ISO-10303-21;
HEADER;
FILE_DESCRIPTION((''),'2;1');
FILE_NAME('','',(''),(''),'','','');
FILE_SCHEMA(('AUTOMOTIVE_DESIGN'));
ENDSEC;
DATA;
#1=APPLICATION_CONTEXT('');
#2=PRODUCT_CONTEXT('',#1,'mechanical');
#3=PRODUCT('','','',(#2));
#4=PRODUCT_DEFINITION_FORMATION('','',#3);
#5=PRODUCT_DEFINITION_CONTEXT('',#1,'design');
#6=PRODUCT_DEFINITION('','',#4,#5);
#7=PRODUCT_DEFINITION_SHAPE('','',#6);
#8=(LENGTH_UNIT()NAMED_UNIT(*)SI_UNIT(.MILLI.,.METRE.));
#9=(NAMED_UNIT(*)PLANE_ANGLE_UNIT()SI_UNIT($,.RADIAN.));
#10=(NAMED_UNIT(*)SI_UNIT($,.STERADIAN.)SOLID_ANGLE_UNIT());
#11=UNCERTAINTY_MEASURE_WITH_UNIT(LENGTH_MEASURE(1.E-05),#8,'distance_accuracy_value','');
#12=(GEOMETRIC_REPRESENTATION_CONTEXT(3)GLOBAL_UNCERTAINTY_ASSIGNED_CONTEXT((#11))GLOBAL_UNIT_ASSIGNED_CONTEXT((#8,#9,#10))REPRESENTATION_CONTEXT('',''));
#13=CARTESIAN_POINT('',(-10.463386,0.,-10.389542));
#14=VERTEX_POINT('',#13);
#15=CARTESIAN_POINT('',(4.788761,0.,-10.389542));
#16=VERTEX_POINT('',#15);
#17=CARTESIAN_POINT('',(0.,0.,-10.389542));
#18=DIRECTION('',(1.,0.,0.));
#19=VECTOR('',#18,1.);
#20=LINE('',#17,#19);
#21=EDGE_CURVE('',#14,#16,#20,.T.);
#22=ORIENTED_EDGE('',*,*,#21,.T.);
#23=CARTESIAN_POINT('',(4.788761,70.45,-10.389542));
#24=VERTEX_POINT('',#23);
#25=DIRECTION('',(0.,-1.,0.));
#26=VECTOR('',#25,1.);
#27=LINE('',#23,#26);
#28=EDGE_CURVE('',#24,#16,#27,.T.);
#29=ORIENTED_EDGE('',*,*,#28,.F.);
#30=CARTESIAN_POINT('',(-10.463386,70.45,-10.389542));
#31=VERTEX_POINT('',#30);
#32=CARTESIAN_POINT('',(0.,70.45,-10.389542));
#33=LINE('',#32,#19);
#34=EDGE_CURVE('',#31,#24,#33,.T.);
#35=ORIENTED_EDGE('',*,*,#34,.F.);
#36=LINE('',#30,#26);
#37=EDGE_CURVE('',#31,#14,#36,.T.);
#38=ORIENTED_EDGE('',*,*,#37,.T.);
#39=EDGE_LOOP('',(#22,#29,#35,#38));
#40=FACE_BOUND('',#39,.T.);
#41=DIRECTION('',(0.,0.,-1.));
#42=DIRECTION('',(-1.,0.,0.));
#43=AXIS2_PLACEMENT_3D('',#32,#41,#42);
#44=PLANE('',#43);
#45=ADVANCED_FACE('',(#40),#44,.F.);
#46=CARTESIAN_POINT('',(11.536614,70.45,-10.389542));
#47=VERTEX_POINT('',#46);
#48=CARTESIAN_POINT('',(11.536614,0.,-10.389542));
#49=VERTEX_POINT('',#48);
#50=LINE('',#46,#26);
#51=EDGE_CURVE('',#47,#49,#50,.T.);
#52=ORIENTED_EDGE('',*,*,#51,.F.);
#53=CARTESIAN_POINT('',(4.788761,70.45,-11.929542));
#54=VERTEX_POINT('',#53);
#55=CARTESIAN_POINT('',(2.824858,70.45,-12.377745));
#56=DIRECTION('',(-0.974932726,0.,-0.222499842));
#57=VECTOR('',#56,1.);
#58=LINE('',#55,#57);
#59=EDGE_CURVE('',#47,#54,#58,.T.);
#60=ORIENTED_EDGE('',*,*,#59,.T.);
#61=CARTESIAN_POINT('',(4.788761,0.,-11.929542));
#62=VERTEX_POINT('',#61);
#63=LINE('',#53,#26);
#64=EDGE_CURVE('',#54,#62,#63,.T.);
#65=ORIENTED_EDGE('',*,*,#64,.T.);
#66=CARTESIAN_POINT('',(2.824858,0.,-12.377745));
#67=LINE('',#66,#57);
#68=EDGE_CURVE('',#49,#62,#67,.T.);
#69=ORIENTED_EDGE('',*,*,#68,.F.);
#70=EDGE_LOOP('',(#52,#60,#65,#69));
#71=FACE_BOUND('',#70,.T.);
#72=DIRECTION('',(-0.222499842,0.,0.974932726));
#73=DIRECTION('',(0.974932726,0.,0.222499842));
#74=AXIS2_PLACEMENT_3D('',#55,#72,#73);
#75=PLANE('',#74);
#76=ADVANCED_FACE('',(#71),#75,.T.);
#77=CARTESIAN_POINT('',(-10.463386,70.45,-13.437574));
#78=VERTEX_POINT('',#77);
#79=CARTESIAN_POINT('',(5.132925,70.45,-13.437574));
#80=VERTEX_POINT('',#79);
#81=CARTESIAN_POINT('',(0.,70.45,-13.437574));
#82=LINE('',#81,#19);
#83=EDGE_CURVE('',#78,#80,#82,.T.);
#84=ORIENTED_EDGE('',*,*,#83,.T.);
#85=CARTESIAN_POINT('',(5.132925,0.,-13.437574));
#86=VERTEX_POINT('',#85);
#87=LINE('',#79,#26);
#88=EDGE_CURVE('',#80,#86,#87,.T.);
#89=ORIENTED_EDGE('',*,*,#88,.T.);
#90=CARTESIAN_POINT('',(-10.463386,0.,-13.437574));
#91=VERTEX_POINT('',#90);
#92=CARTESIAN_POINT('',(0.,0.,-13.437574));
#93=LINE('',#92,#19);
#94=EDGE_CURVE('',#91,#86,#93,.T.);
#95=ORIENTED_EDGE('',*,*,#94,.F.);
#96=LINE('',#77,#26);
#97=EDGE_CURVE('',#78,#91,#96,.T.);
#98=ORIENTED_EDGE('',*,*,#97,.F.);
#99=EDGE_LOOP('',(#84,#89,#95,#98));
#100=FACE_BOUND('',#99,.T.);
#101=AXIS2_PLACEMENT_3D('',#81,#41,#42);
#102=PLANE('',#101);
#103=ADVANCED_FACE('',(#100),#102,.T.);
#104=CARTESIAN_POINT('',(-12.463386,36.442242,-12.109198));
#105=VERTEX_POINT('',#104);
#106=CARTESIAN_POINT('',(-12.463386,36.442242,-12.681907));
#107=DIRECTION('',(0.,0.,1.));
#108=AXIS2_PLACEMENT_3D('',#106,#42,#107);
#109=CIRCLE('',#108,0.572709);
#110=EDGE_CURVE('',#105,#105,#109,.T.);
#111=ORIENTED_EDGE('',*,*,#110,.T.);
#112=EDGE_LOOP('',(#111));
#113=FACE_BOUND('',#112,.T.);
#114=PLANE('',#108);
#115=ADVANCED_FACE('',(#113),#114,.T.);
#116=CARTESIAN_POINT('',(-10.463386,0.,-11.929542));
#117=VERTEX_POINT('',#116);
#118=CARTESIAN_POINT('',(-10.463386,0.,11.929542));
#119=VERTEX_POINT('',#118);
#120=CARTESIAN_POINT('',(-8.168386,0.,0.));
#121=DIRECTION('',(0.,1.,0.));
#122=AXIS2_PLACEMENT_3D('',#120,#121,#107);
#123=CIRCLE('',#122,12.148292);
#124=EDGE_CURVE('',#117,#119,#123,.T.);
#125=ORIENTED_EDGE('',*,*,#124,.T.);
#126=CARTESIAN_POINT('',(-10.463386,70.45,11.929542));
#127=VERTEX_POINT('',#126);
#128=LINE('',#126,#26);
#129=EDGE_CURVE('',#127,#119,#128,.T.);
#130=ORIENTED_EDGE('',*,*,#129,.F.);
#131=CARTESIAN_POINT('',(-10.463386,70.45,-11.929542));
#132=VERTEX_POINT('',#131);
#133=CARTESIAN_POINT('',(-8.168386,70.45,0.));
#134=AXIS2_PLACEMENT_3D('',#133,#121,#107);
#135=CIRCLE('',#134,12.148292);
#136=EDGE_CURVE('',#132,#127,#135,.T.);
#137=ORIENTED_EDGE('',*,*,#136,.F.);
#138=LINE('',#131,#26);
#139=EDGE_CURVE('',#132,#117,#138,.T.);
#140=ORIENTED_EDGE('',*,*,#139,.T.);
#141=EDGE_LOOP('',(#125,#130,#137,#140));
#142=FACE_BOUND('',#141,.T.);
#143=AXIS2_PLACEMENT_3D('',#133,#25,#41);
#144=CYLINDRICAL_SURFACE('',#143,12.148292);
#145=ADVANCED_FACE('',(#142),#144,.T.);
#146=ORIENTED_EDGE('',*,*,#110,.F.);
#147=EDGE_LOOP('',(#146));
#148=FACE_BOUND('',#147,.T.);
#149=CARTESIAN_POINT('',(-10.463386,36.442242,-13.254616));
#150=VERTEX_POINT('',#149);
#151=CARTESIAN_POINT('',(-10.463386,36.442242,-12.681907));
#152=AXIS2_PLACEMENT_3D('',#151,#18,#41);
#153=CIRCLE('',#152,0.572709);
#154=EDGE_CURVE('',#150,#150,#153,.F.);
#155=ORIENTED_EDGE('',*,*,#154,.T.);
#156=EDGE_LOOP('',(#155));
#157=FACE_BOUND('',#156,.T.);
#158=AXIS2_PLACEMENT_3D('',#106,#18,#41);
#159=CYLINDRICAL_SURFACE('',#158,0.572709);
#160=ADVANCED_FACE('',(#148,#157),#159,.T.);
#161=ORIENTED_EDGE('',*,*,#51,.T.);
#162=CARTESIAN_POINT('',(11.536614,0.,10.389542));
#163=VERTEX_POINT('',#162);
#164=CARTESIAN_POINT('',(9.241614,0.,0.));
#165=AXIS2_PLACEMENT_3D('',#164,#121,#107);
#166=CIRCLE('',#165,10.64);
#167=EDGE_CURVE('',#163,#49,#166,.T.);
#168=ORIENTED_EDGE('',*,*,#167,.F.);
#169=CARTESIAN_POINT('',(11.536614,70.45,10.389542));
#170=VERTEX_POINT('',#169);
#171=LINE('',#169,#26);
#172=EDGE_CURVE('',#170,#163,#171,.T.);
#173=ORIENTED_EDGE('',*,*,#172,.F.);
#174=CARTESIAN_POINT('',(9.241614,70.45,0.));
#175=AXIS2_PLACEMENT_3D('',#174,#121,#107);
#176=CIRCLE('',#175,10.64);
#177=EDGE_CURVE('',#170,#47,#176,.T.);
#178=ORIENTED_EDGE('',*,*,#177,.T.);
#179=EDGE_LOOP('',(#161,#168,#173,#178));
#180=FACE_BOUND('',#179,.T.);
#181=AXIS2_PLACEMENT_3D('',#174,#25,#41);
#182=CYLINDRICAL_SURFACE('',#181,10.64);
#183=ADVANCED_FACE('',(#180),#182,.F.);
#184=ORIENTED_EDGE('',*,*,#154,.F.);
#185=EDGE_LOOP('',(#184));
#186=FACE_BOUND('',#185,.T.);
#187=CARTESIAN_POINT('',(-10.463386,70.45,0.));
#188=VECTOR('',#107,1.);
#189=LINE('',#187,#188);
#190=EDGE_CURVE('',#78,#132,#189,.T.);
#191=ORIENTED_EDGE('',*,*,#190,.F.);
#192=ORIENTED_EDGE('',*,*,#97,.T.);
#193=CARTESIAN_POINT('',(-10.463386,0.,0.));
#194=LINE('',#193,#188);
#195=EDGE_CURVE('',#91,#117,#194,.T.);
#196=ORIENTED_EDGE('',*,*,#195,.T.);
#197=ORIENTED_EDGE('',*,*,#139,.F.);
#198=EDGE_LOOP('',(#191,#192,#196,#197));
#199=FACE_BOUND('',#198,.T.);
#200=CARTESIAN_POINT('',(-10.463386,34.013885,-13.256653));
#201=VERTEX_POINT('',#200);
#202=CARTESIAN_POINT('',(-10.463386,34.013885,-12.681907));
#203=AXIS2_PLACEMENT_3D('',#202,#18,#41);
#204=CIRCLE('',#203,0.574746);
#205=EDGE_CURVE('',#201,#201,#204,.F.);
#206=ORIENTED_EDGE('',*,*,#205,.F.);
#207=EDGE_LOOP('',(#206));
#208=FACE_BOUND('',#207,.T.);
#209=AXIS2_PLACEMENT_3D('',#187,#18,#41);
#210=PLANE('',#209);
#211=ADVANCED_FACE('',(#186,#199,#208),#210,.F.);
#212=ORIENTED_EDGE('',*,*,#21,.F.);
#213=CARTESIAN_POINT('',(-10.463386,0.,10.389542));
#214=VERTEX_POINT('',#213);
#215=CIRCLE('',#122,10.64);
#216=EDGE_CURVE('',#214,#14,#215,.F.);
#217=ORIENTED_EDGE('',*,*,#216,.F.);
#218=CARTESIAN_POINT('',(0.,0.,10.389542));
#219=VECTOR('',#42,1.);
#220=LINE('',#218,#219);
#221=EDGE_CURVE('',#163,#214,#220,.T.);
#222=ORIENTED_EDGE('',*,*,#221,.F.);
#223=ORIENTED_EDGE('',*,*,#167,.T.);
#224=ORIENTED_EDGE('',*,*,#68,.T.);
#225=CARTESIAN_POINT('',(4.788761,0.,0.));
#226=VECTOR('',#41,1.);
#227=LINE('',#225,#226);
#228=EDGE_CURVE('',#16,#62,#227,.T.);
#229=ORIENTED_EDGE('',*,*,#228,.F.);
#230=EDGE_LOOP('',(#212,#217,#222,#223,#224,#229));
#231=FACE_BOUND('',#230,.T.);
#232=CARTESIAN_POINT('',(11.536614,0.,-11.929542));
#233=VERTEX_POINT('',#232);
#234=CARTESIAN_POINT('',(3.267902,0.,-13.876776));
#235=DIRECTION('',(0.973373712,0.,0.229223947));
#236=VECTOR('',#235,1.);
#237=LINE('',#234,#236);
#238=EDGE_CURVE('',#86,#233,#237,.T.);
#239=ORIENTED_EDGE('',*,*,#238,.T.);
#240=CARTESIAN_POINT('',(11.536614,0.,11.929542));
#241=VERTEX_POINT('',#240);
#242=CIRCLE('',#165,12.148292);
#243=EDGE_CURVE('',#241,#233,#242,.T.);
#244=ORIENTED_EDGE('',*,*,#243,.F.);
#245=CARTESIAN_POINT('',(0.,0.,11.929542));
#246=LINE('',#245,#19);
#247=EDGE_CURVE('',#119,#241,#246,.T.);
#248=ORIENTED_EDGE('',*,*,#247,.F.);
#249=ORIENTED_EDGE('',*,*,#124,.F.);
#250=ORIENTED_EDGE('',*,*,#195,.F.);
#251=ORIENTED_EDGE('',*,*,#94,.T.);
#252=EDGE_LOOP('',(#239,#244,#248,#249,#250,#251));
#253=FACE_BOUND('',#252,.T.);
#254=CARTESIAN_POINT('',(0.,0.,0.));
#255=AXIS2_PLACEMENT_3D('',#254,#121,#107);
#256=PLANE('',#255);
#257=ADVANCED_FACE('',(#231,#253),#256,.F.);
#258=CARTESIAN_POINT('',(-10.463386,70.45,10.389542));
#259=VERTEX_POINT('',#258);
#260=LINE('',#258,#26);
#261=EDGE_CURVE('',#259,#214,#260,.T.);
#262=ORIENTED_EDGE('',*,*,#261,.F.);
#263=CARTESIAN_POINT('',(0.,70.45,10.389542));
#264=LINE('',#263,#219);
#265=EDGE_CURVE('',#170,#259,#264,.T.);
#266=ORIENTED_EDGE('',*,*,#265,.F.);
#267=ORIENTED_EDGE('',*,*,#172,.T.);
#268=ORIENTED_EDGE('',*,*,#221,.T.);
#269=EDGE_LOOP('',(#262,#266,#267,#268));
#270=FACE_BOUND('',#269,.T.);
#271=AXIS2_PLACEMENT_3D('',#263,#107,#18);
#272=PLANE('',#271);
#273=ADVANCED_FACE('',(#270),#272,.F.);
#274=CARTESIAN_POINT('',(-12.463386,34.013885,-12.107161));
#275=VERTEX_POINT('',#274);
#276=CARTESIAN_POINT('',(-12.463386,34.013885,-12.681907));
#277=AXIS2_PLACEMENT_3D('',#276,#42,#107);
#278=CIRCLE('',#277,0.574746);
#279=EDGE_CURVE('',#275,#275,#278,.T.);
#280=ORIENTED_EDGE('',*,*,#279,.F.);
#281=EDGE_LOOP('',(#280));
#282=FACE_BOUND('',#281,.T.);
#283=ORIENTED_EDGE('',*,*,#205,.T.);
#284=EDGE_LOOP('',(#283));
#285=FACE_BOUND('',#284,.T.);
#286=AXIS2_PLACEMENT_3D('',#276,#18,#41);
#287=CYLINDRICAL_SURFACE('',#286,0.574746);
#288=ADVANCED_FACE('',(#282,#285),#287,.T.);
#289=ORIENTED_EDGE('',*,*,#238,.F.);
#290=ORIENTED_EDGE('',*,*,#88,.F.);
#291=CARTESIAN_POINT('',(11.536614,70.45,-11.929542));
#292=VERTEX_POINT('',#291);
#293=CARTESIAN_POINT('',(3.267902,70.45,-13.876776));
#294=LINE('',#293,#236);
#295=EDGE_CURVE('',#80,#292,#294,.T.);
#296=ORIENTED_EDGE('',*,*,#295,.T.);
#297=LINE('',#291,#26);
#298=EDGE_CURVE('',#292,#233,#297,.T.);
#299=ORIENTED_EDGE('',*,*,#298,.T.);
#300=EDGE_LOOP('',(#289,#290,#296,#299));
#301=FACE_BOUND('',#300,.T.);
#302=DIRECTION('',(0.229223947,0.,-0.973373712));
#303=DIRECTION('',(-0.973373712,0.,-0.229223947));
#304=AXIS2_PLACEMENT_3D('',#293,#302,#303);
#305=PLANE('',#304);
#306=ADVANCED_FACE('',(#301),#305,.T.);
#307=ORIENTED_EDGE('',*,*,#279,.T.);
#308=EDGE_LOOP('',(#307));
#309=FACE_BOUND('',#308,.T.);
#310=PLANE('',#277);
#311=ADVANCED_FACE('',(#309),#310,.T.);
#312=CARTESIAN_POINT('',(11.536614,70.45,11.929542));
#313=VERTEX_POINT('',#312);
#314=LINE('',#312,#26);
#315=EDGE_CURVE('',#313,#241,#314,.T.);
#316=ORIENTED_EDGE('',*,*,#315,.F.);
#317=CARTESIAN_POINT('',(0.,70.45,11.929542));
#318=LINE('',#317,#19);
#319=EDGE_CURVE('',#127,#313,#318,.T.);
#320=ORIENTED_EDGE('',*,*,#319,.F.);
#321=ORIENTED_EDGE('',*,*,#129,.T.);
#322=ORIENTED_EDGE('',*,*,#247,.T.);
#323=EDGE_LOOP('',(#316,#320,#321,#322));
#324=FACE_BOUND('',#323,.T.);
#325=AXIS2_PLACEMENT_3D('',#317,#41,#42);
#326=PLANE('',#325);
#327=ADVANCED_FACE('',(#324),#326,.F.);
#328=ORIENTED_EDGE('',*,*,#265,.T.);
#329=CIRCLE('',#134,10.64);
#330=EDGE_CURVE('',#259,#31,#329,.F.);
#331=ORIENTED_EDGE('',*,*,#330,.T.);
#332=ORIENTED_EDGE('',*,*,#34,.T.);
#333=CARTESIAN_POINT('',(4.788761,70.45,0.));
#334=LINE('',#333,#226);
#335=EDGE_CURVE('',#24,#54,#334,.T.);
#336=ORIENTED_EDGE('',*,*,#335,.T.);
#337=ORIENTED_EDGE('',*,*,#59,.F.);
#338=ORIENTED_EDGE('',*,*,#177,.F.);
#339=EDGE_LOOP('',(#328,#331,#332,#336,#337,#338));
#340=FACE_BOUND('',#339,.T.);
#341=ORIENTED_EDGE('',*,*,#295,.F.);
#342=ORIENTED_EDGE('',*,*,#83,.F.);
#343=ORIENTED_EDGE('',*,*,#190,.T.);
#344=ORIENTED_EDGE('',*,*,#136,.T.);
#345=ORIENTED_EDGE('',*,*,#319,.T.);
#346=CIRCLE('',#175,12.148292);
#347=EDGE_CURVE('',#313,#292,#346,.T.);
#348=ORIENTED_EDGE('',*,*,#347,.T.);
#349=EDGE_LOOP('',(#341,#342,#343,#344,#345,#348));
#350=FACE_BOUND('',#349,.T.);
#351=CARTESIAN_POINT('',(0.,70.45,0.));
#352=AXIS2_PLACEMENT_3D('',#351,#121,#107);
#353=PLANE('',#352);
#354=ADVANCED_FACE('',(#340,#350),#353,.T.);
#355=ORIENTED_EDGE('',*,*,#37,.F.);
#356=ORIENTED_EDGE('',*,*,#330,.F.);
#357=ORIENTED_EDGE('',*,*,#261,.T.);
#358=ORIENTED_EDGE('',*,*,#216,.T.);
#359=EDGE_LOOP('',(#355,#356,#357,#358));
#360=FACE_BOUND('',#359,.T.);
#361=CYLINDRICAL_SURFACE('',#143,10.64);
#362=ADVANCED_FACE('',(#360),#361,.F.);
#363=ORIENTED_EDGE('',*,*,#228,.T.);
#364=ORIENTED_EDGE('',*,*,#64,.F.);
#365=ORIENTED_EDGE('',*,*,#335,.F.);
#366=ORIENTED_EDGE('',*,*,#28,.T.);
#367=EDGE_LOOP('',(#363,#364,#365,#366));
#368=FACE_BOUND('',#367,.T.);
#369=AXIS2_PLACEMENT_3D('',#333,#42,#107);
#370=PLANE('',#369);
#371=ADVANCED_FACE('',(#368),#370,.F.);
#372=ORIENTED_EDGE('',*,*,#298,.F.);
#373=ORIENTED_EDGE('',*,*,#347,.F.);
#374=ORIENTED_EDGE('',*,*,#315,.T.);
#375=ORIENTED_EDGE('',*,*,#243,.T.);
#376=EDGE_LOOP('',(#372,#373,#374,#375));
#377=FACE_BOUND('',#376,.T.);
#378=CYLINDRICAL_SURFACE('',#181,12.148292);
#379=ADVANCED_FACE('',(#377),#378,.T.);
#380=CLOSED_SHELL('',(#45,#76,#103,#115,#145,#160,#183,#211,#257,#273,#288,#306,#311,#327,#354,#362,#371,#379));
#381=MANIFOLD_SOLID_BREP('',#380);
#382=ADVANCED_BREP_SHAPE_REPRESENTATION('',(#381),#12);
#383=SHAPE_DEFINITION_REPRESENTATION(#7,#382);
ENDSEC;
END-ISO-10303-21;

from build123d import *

# Parameters (mm, degrees)
BOSS_EXTRUDE1_DEPTH = 70.45
SKETCH2_R           = 0.574746223
SKETCH2_R_2         = 0.572709313
BOSS_EXTRUDE2_DEPTH = 2


with BuildPart() as part:
    # Sketch1 → Boss-Extrude1 (new body)
    with BuildSketch(Plane(origin=(0, 0, 0), x_dir=(1, 0, 0), z_dir=(0, 1, 0))):
        with BuildLine():
            Line((-10.463385515, 13.437573917), (-10.463385515, 11.929541616))
            ThreePointArc((-10.463385515, 11.929541616), (-20.316677089, 0), (-10.463385515, -11.929541616))
            Line((-10.463385515, -11.929541616), (11.536614485, -11.929541616))
            ThreePointArc((11.536614485, -11.929541616), (21.38990606, 0), (11.536614485, 11.929541616))
            Line((11.536614485, 11.929541616), (5.132924913, 13.437573917))
            Line((5.132924913, 13.437573917), (-10.463385515, 13.437573917))
        make_face()
        with BuildLine():
            ThreePointArc((-10.463385515, -10.389541616), (-18.808385515, 0), (-10.463385515, 10.389541616))
            Line((-10.463385515, 10.389541616), (4.788760706, 10.389541616))
            Line((4.788760706, 10.389541616), (4.788760706, 11.929541616))
            Line((4.788760706, 11.929541616), (11.536614485, 10.389541616))
            ThreePointArc((11.536614485, 10.389541616), (19.881614485, 0), (11.536614485, -10.389541616))
            Line((11.536614485, -10.389541616), (-10.463385515, -10.389541616))
        make_face(mode=Mode.SUBTRACT)
    extrude(amount=BOSS_EXTRUDE1_DEPTH)

    # Sketch2 → Boss-Extrude2 (add)
    with BuildSketch(Plane.ZY.offset(10.463385515)):
        with Locations(Location((-12.681906896, 34.013885353, 0), (0, 0, 180))):
            Circle(SKETCH2_R)
        with Locations(Location((-12.681906896, 36.442241885, 0), (0, 0, 180))):
            Circle(SKETCH2_R_2)
    extrude(amount=BOSS_EXTRUDE2_DEPTH)


solid = part.part
